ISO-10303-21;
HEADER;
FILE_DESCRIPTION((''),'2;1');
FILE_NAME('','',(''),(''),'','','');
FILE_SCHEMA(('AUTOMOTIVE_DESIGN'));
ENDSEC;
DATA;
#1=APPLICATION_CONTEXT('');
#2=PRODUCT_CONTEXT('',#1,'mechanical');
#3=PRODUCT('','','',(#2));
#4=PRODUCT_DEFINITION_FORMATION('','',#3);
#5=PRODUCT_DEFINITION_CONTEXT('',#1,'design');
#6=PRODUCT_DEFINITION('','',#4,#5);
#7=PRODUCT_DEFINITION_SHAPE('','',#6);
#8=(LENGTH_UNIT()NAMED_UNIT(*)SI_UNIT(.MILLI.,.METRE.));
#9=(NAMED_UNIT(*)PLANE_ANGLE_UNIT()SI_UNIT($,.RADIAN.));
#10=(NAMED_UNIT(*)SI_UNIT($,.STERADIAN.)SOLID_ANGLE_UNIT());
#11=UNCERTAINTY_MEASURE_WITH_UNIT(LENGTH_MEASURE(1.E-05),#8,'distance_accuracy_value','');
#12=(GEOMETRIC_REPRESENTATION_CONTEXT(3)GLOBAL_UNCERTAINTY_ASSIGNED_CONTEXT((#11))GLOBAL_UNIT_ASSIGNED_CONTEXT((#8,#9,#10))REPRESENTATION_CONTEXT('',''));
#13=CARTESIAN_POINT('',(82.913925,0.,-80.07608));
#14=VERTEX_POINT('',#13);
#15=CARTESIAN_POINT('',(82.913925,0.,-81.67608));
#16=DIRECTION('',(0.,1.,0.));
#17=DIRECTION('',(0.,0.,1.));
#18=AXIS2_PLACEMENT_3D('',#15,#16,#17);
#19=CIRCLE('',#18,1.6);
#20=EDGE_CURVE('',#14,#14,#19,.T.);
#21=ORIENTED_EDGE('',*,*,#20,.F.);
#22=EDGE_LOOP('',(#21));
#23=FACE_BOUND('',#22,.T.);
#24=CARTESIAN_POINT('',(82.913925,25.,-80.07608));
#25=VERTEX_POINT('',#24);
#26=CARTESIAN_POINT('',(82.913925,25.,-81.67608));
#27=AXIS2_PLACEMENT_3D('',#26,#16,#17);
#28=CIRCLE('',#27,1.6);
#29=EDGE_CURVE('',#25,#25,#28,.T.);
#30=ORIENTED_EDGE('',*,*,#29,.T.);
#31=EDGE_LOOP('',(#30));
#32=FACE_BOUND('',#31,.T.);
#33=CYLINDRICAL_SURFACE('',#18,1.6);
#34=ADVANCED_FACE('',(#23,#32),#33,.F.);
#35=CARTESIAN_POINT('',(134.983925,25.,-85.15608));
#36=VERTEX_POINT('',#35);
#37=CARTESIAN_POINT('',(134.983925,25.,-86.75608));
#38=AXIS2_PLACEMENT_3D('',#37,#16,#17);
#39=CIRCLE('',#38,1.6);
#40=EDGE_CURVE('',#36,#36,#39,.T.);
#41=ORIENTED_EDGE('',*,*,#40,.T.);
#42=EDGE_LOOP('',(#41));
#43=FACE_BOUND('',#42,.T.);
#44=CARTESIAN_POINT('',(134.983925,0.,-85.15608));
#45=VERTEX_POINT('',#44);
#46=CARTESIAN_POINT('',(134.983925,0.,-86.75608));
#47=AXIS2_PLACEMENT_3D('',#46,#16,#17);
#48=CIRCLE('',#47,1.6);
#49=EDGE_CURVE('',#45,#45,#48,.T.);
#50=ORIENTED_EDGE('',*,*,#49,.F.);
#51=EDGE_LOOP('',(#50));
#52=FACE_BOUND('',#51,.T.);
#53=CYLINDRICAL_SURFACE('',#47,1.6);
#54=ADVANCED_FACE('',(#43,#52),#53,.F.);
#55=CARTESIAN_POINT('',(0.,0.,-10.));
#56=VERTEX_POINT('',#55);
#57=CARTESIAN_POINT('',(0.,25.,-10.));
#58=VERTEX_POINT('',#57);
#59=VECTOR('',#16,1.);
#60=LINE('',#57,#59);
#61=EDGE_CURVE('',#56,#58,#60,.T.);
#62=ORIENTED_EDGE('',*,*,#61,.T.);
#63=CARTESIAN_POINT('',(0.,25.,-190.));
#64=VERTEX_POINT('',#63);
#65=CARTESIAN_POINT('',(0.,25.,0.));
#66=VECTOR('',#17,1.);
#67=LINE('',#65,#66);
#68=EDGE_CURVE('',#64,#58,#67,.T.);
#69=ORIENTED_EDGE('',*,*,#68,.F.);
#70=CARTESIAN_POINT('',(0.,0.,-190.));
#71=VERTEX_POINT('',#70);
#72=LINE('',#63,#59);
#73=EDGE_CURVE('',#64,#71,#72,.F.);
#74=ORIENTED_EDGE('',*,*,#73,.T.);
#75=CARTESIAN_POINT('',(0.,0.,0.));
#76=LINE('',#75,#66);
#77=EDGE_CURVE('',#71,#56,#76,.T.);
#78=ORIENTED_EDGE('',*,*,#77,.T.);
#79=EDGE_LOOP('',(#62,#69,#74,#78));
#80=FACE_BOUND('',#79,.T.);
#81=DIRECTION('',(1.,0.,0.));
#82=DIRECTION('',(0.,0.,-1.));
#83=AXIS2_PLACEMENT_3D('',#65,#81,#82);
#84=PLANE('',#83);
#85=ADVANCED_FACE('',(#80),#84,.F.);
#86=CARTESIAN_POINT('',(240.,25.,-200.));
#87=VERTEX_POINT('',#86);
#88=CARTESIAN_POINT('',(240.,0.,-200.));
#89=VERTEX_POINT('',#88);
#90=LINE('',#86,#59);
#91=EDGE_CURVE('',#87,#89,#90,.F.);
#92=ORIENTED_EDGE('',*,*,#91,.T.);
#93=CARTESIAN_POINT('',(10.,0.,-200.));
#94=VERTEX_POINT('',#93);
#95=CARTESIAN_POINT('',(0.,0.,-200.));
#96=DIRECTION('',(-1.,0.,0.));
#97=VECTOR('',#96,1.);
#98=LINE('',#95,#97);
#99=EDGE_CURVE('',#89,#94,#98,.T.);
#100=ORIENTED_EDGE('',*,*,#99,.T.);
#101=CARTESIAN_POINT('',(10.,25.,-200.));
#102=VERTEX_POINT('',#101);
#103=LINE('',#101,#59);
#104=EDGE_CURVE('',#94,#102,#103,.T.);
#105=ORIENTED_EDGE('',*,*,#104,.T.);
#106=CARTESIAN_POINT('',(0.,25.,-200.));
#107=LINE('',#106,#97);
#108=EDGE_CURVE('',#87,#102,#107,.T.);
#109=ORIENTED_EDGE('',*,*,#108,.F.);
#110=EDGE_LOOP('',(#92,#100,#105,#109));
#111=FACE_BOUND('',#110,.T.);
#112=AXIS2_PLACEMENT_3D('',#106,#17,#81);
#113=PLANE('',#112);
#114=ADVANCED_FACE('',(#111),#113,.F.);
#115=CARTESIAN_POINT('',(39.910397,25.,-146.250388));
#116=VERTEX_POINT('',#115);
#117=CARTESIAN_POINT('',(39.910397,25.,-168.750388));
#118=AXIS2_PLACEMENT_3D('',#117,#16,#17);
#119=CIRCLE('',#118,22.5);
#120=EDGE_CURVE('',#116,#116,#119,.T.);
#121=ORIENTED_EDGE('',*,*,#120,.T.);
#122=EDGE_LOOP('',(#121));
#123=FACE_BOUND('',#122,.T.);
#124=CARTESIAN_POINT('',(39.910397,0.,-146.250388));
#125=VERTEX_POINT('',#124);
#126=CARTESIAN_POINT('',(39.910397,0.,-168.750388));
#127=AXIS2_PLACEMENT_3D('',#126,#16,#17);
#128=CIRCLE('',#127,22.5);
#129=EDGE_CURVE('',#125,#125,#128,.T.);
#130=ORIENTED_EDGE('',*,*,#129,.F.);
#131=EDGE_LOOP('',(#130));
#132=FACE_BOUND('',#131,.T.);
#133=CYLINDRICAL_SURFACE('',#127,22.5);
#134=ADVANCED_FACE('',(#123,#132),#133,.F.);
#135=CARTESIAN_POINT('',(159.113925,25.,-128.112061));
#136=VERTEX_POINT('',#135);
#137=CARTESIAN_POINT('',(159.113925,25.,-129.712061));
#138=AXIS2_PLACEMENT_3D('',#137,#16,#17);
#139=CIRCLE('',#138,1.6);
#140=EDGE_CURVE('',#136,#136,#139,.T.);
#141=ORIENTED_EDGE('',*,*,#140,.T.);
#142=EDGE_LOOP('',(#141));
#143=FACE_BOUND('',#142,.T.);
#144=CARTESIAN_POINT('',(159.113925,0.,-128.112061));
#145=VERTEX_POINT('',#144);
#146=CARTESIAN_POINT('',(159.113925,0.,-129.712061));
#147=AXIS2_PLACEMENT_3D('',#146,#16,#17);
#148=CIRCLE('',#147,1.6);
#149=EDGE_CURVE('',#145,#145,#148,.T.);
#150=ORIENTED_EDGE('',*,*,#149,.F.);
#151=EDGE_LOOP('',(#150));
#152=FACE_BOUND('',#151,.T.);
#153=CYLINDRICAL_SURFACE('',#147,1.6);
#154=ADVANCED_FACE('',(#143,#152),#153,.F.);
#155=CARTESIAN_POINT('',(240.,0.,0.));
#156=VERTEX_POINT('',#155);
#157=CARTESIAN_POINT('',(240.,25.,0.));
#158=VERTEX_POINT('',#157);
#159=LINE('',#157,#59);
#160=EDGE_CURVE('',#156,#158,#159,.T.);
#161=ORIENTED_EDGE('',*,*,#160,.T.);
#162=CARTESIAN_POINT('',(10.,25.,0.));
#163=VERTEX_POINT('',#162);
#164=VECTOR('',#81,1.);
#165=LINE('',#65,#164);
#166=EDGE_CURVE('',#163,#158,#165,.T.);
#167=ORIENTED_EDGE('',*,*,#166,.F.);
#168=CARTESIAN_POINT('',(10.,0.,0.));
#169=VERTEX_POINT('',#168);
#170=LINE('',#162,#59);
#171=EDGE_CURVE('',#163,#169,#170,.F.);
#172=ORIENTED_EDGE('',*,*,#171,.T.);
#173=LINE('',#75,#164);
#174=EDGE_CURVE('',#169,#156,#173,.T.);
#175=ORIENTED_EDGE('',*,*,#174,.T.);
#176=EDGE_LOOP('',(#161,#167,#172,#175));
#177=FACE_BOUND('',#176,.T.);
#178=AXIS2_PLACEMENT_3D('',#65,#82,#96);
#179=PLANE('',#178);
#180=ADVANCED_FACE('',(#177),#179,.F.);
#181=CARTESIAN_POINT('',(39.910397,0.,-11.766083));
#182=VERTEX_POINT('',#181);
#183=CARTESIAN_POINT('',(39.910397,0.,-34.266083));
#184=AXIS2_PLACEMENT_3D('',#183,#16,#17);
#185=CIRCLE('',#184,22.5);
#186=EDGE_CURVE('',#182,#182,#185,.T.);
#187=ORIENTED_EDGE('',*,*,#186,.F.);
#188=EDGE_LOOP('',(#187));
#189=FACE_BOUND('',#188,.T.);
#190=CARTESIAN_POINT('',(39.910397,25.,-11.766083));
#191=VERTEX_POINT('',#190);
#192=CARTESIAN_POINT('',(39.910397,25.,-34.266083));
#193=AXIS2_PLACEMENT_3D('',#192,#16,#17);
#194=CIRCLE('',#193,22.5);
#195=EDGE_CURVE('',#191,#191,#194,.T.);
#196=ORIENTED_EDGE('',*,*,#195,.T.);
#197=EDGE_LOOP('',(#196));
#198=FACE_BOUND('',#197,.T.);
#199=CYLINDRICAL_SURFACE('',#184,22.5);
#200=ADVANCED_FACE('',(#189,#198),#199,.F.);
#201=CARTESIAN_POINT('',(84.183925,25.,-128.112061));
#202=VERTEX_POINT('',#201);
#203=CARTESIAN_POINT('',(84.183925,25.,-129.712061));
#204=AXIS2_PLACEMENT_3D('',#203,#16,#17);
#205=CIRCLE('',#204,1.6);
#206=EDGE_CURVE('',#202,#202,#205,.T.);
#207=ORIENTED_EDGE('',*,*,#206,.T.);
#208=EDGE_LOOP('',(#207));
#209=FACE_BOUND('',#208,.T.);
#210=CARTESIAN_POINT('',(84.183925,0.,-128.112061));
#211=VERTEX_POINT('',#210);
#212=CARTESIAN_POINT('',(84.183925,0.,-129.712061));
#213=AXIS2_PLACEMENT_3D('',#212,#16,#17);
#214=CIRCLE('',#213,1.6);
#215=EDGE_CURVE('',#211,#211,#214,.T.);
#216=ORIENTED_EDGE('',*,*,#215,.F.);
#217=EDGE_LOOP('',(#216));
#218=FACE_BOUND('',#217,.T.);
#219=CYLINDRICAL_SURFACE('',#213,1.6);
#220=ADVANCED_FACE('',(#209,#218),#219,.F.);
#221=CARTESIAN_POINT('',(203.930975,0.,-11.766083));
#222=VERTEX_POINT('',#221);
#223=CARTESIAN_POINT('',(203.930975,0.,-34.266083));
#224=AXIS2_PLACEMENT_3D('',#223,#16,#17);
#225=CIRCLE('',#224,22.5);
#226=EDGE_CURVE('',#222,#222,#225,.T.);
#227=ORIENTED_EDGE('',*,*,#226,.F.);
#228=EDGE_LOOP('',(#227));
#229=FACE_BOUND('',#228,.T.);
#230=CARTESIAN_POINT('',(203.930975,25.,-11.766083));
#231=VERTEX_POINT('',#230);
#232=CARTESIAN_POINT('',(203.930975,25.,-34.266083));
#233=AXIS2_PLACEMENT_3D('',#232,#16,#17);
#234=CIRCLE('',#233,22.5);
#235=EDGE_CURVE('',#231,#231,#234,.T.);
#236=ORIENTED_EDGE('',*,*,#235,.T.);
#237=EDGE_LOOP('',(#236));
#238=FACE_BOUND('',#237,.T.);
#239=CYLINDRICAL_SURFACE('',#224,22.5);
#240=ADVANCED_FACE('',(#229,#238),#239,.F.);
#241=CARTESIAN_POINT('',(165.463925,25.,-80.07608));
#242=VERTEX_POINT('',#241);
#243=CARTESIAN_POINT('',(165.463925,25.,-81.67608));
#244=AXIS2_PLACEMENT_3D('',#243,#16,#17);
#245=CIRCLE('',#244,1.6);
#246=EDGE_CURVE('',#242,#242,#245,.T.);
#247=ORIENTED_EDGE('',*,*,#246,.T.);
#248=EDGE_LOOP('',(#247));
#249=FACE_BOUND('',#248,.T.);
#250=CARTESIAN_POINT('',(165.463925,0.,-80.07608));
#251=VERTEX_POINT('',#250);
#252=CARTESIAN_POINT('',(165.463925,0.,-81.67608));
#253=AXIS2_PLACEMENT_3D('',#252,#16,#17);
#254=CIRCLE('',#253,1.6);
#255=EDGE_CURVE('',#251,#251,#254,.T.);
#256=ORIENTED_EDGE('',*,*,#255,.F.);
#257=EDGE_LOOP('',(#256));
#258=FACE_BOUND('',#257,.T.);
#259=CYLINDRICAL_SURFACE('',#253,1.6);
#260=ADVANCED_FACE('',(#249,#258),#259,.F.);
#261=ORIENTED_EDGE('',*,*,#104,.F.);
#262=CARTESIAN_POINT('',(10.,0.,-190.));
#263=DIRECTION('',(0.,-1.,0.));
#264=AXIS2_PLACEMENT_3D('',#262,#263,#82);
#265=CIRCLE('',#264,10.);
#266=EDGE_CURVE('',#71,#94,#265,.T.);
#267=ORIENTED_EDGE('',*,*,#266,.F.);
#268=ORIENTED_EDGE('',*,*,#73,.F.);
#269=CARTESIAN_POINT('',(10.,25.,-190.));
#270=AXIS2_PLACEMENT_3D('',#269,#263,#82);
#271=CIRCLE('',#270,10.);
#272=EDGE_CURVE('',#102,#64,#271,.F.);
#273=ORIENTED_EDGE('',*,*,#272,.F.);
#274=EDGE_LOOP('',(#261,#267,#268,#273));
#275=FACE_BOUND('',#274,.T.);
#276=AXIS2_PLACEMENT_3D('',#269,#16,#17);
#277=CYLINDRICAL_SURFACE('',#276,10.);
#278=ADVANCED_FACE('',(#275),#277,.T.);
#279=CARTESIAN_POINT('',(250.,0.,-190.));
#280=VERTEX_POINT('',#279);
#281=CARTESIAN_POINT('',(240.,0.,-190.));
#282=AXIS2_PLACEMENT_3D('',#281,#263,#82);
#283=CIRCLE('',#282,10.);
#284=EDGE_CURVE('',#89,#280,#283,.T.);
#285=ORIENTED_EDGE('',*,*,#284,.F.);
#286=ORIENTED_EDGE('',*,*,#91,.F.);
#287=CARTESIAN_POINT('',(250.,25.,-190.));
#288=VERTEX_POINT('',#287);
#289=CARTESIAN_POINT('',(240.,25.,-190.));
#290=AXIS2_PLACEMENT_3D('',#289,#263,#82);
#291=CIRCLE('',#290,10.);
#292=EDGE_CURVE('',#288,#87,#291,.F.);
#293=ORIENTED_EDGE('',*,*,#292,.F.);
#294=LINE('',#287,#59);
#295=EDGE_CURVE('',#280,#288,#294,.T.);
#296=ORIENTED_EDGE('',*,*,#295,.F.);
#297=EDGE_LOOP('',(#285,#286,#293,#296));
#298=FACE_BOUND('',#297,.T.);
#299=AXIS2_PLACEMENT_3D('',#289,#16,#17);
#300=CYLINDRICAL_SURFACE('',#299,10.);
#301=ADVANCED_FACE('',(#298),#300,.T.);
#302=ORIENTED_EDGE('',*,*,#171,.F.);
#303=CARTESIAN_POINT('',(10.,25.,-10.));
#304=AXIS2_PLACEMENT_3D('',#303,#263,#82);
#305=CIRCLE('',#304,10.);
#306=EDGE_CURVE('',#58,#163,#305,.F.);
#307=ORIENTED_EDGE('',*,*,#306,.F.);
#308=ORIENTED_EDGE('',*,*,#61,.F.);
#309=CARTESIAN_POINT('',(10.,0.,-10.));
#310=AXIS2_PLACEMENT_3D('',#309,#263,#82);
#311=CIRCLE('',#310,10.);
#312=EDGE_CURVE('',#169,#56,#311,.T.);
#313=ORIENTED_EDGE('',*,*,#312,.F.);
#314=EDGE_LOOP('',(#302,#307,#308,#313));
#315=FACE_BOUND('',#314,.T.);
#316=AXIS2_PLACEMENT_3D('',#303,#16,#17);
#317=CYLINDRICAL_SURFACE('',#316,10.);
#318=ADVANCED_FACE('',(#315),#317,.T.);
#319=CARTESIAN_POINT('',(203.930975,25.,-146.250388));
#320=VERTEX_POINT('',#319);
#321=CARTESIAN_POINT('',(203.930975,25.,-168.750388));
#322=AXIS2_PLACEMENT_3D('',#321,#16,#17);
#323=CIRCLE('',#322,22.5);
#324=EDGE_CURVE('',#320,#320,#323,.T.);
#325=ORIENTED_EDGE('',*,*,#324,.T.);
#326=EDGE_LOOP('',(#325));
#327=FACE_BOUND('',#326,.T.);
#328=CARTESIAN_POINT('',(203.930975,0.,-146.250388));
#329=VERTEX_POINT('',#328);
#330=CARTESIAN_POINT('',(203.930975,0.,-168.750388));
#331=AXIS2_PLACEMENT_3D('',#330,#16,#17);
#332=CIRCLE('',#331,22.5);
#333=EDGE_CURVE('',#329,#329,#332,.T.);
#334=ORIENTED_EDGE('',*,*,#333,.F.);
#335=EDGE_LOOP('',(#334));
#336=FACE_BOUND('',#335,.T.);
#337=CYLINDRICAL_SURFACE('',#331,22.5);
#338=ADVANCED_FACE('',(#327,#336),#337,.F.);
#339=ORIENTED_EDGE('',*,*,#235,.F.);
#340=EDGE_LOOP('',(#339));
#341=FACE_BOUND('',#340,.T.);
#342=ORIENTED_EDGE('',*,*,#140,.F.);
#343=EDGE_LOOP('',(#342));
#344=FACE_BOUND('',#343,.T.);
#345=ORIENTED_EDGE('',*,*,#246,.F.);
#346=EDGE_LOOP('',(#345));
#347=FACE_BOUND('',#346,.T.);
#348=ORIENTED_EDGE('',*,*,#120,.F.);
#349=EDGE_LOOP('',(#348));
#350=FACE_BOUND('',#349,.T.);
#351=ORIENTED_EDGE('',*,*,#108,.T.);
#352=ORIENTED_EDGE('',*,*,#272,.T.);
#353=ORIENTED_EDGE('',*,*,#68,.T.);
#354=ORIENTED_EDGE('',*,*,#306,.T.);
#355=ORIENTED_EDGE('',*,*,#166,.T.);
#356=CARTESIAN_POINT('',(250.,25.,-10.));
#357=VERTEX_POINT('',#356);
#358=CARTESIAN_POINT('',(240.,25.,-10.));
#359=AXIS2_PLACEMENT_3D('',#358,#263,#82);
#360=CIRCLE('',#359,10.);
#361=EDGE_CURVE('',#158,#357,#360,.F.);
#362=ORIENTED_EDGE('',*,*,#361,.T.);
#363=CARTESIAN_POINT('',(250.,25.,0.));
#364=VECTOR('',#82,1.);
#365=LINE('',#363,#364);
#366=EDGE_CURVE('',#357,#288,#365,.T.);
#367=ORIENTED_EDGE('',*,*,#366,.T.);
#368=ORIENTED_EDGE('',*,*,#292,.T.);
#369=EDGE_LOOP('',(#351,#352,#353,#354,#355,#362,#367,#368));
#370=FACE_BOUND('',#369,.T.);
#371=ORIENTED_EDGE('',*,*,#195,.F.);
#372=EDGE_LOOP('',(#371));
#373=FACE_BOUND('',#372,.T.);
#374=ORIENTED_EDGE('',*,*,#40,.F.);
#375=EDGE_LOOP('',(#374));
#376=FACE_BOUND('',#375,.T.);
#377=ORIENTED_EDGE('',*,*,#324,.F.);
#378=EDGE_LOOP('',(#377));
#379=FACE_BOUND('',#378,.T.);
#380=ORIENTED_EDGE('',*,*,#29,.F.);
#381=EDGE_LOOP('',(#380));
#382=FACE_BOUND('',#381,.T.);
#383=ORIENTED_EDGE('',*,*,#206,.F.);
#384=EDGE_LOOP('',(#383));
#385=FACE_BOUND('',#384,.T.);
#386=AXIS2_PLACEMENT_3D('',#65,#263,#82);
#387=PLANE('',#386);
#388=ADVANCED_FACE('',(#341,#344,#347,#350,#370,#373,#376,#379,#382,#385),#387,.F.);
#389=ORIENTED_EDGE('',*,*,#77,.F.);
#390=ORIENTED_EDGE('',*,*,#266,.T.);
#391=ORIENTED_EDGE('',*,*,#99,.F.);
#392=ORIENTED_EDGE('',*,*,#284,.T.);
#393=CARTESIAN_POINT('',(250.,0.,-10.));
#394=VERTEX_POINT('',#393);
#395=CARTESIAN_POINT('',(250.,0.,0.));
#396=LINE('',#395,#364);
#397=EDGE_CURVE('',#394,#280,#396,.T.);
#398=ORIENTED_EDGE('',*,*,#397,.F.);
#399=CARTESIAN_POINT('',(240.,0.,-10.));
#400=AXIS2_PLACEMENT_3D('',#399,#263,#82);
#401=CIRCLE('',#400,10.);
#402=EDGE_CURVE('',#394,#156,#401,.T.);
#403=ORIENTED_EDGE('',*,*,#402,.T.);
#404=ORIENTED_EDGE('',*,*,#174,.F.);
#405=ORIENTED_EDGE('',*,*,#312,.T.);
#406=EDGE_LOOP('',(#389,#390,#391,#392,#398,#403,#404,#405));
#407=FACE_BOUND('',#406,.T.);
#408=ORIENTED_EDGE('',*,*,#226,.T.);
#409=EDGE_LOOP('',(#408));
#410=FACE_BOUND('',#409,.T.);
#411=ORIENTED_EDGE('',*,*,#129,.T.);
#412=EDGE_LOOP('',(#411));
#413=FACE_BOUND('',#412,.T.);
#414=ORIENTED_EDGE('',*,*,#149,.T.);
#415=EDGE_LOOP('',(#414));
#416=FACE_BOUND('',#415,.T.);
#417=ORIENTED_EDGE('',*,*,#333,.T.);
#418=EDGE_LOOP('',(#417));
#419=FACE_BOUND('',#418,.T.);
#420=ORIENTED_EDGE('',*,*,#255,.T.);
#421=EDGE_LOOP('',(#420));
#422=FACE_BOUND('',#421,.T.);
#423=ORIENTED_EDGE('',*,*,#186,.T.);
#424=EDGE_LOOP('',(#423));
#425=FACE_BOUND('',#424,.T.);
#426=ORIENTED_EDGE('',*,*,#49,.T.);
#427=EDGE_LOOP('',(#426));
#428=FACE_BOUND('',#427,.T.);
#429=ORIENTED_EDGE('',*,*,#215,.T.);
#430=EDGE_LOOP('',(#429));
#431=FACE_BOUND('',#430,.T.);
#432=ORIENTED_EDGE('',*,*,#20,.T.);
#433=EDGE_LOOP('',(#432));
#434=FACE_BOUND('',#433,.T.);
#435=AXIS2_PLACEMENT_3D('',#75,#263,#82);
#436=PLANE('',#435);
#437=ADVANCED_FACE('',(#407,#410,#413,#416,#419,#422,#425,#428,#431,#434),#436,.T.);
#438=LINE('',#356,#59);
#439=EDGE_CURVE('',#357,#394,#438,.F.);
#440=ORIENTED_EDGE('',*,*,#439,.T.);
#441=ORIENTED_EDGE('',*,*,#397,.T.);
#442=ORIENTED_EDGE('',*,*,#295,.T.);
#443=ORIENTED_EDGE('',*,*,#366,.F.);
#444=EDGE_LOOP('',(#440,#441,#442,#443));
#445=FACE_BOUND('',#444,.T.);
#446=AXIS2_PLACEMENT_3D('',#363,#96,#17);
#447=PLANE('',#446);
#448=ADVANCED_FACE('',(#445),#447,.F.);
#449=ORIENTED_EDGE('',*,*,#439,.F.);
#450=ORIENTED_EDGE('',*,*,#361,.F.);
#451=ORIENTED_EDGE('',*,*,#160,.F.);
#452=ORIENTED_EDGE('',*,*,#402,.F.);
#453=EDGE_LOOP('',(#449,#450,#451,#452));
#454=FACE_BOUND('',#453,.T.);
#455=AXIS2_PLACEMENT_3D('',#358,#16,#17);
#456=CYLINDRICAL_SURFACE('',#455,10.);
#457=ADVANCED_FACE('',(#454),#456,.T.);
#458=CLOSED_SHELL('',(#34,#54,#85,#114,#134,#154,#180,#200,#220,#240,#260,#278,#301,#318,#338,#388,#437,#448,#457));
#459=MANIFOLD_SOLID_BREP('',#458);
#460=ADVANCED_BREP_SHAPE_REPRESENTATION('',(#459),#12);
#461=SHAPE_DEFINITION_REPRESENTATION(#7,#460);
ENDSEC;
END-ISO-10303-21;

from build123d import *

# Parameters (mm, degrees)
SKETCH2_W           = 250
SKETCH2_H           = 200
BOSS_EXTRUDE1_DEPTH = 25
FILLET1_R           = 10
FILLET2_R           = 10
FILLET3_R           = 10
FILLET4_R           = 10
SKETCH3_R           = 1.6
CUT_EXTRUDE1_DEPTH  = 26
SKETCH4_R           = 22.5
CUT_EXTRUDE2_DEPTH  = 26


with BuildPart() as part:
    # Sketch2 → Boss-Extrude1 (new body)
    with BuildSketch(Plane(origin=(0, 0, 0), x_dir=(1, 0, 0), z_dir=(0, 1, 0))):
        with Locations((125, 100)):
            Rectangle(SKETCH2_W, SKETCH2_H)
    extrude(amount=BOSS_EXTRUDE1_DEPTH)

    # Fillet1
    fillet1_edges = [part.edges().sort_by_distance(p)[0] for p in [
        (0, 12.5, 0),
    ]]
    fillet(fillet1_edges, radius=FILLET1_R)

    # Fillet2
    fillet2_edges = [part.edges().sort_by_distance(p)[0] for p in [
        (250, 12.5, 0),
    ]]
    fillet(fillet2_edges, radius=FILLET2_R)

    # Fillet3
    fillet3_edges = [part.edges().sort_by_distance(p)[0] for p in [
        (250, 12.5, -200),
    ]]
    fillet(fillet3_edges, radius=FILLET3_R)

    # Fillet4
    fillet4_edges = [part.edges().sort_by_distance(p)[0] for p in [
        (0, 12.5, -200),
    ]]
    fillet(fillet4_edges, radius=FILLET4_R)

    # Sketch3 → Cut-Extrude1 (cut, through all)
    with BuildSketch(Plane(origin=(0, 25, 0), x_dir=(1, 0, 0), z_dir=(0, 1, 0))):
        with Locations((84.183925072, 129.712061316)):
            Circle(SKETCH3_R)
        with Locations((82.913925072, 81.676079735)):
            Circle(SKETCH3_R)
        with Locations((165.463925072, 81.676079735)):
            Circle(SKETCH3_R)
        with Locations((159.113925072, 129.712061316)):
            Circle(SKETCH3_R)
        with Locations((134.983925072, 86.756079735)):
            Circle(SKETCH3_R)
    extrude(amount=-CUT_EXTRUDE1_DEPTH, mode=Mode.SUBTRACT)

    # Sketch4 → Cut-Extrude2 (cut, through all)
    with BuildSketch(Plane(origin=(0, 25, 0), x_dir=(1, 0, 0), z_dir=(0, 1, 0))):
        with Locations((203.930975459, 168.75038786)):
            Circle(SKETCH4_R)
        with Locations((203.930975459, 34.26608254)):
            Circle(SKETCH4_R)
        with Locations((39.910397475, 34.26608254)):
            Circle(SKETCH4_R)
        with Locations((39.910397475, 168.75038786)):
            Circle(SKETCH4_R)
    extrude(amount=-CUT_EXTRUDE2_DEPTH, mode=Mode.SUBTRACT)


solid = part.part
